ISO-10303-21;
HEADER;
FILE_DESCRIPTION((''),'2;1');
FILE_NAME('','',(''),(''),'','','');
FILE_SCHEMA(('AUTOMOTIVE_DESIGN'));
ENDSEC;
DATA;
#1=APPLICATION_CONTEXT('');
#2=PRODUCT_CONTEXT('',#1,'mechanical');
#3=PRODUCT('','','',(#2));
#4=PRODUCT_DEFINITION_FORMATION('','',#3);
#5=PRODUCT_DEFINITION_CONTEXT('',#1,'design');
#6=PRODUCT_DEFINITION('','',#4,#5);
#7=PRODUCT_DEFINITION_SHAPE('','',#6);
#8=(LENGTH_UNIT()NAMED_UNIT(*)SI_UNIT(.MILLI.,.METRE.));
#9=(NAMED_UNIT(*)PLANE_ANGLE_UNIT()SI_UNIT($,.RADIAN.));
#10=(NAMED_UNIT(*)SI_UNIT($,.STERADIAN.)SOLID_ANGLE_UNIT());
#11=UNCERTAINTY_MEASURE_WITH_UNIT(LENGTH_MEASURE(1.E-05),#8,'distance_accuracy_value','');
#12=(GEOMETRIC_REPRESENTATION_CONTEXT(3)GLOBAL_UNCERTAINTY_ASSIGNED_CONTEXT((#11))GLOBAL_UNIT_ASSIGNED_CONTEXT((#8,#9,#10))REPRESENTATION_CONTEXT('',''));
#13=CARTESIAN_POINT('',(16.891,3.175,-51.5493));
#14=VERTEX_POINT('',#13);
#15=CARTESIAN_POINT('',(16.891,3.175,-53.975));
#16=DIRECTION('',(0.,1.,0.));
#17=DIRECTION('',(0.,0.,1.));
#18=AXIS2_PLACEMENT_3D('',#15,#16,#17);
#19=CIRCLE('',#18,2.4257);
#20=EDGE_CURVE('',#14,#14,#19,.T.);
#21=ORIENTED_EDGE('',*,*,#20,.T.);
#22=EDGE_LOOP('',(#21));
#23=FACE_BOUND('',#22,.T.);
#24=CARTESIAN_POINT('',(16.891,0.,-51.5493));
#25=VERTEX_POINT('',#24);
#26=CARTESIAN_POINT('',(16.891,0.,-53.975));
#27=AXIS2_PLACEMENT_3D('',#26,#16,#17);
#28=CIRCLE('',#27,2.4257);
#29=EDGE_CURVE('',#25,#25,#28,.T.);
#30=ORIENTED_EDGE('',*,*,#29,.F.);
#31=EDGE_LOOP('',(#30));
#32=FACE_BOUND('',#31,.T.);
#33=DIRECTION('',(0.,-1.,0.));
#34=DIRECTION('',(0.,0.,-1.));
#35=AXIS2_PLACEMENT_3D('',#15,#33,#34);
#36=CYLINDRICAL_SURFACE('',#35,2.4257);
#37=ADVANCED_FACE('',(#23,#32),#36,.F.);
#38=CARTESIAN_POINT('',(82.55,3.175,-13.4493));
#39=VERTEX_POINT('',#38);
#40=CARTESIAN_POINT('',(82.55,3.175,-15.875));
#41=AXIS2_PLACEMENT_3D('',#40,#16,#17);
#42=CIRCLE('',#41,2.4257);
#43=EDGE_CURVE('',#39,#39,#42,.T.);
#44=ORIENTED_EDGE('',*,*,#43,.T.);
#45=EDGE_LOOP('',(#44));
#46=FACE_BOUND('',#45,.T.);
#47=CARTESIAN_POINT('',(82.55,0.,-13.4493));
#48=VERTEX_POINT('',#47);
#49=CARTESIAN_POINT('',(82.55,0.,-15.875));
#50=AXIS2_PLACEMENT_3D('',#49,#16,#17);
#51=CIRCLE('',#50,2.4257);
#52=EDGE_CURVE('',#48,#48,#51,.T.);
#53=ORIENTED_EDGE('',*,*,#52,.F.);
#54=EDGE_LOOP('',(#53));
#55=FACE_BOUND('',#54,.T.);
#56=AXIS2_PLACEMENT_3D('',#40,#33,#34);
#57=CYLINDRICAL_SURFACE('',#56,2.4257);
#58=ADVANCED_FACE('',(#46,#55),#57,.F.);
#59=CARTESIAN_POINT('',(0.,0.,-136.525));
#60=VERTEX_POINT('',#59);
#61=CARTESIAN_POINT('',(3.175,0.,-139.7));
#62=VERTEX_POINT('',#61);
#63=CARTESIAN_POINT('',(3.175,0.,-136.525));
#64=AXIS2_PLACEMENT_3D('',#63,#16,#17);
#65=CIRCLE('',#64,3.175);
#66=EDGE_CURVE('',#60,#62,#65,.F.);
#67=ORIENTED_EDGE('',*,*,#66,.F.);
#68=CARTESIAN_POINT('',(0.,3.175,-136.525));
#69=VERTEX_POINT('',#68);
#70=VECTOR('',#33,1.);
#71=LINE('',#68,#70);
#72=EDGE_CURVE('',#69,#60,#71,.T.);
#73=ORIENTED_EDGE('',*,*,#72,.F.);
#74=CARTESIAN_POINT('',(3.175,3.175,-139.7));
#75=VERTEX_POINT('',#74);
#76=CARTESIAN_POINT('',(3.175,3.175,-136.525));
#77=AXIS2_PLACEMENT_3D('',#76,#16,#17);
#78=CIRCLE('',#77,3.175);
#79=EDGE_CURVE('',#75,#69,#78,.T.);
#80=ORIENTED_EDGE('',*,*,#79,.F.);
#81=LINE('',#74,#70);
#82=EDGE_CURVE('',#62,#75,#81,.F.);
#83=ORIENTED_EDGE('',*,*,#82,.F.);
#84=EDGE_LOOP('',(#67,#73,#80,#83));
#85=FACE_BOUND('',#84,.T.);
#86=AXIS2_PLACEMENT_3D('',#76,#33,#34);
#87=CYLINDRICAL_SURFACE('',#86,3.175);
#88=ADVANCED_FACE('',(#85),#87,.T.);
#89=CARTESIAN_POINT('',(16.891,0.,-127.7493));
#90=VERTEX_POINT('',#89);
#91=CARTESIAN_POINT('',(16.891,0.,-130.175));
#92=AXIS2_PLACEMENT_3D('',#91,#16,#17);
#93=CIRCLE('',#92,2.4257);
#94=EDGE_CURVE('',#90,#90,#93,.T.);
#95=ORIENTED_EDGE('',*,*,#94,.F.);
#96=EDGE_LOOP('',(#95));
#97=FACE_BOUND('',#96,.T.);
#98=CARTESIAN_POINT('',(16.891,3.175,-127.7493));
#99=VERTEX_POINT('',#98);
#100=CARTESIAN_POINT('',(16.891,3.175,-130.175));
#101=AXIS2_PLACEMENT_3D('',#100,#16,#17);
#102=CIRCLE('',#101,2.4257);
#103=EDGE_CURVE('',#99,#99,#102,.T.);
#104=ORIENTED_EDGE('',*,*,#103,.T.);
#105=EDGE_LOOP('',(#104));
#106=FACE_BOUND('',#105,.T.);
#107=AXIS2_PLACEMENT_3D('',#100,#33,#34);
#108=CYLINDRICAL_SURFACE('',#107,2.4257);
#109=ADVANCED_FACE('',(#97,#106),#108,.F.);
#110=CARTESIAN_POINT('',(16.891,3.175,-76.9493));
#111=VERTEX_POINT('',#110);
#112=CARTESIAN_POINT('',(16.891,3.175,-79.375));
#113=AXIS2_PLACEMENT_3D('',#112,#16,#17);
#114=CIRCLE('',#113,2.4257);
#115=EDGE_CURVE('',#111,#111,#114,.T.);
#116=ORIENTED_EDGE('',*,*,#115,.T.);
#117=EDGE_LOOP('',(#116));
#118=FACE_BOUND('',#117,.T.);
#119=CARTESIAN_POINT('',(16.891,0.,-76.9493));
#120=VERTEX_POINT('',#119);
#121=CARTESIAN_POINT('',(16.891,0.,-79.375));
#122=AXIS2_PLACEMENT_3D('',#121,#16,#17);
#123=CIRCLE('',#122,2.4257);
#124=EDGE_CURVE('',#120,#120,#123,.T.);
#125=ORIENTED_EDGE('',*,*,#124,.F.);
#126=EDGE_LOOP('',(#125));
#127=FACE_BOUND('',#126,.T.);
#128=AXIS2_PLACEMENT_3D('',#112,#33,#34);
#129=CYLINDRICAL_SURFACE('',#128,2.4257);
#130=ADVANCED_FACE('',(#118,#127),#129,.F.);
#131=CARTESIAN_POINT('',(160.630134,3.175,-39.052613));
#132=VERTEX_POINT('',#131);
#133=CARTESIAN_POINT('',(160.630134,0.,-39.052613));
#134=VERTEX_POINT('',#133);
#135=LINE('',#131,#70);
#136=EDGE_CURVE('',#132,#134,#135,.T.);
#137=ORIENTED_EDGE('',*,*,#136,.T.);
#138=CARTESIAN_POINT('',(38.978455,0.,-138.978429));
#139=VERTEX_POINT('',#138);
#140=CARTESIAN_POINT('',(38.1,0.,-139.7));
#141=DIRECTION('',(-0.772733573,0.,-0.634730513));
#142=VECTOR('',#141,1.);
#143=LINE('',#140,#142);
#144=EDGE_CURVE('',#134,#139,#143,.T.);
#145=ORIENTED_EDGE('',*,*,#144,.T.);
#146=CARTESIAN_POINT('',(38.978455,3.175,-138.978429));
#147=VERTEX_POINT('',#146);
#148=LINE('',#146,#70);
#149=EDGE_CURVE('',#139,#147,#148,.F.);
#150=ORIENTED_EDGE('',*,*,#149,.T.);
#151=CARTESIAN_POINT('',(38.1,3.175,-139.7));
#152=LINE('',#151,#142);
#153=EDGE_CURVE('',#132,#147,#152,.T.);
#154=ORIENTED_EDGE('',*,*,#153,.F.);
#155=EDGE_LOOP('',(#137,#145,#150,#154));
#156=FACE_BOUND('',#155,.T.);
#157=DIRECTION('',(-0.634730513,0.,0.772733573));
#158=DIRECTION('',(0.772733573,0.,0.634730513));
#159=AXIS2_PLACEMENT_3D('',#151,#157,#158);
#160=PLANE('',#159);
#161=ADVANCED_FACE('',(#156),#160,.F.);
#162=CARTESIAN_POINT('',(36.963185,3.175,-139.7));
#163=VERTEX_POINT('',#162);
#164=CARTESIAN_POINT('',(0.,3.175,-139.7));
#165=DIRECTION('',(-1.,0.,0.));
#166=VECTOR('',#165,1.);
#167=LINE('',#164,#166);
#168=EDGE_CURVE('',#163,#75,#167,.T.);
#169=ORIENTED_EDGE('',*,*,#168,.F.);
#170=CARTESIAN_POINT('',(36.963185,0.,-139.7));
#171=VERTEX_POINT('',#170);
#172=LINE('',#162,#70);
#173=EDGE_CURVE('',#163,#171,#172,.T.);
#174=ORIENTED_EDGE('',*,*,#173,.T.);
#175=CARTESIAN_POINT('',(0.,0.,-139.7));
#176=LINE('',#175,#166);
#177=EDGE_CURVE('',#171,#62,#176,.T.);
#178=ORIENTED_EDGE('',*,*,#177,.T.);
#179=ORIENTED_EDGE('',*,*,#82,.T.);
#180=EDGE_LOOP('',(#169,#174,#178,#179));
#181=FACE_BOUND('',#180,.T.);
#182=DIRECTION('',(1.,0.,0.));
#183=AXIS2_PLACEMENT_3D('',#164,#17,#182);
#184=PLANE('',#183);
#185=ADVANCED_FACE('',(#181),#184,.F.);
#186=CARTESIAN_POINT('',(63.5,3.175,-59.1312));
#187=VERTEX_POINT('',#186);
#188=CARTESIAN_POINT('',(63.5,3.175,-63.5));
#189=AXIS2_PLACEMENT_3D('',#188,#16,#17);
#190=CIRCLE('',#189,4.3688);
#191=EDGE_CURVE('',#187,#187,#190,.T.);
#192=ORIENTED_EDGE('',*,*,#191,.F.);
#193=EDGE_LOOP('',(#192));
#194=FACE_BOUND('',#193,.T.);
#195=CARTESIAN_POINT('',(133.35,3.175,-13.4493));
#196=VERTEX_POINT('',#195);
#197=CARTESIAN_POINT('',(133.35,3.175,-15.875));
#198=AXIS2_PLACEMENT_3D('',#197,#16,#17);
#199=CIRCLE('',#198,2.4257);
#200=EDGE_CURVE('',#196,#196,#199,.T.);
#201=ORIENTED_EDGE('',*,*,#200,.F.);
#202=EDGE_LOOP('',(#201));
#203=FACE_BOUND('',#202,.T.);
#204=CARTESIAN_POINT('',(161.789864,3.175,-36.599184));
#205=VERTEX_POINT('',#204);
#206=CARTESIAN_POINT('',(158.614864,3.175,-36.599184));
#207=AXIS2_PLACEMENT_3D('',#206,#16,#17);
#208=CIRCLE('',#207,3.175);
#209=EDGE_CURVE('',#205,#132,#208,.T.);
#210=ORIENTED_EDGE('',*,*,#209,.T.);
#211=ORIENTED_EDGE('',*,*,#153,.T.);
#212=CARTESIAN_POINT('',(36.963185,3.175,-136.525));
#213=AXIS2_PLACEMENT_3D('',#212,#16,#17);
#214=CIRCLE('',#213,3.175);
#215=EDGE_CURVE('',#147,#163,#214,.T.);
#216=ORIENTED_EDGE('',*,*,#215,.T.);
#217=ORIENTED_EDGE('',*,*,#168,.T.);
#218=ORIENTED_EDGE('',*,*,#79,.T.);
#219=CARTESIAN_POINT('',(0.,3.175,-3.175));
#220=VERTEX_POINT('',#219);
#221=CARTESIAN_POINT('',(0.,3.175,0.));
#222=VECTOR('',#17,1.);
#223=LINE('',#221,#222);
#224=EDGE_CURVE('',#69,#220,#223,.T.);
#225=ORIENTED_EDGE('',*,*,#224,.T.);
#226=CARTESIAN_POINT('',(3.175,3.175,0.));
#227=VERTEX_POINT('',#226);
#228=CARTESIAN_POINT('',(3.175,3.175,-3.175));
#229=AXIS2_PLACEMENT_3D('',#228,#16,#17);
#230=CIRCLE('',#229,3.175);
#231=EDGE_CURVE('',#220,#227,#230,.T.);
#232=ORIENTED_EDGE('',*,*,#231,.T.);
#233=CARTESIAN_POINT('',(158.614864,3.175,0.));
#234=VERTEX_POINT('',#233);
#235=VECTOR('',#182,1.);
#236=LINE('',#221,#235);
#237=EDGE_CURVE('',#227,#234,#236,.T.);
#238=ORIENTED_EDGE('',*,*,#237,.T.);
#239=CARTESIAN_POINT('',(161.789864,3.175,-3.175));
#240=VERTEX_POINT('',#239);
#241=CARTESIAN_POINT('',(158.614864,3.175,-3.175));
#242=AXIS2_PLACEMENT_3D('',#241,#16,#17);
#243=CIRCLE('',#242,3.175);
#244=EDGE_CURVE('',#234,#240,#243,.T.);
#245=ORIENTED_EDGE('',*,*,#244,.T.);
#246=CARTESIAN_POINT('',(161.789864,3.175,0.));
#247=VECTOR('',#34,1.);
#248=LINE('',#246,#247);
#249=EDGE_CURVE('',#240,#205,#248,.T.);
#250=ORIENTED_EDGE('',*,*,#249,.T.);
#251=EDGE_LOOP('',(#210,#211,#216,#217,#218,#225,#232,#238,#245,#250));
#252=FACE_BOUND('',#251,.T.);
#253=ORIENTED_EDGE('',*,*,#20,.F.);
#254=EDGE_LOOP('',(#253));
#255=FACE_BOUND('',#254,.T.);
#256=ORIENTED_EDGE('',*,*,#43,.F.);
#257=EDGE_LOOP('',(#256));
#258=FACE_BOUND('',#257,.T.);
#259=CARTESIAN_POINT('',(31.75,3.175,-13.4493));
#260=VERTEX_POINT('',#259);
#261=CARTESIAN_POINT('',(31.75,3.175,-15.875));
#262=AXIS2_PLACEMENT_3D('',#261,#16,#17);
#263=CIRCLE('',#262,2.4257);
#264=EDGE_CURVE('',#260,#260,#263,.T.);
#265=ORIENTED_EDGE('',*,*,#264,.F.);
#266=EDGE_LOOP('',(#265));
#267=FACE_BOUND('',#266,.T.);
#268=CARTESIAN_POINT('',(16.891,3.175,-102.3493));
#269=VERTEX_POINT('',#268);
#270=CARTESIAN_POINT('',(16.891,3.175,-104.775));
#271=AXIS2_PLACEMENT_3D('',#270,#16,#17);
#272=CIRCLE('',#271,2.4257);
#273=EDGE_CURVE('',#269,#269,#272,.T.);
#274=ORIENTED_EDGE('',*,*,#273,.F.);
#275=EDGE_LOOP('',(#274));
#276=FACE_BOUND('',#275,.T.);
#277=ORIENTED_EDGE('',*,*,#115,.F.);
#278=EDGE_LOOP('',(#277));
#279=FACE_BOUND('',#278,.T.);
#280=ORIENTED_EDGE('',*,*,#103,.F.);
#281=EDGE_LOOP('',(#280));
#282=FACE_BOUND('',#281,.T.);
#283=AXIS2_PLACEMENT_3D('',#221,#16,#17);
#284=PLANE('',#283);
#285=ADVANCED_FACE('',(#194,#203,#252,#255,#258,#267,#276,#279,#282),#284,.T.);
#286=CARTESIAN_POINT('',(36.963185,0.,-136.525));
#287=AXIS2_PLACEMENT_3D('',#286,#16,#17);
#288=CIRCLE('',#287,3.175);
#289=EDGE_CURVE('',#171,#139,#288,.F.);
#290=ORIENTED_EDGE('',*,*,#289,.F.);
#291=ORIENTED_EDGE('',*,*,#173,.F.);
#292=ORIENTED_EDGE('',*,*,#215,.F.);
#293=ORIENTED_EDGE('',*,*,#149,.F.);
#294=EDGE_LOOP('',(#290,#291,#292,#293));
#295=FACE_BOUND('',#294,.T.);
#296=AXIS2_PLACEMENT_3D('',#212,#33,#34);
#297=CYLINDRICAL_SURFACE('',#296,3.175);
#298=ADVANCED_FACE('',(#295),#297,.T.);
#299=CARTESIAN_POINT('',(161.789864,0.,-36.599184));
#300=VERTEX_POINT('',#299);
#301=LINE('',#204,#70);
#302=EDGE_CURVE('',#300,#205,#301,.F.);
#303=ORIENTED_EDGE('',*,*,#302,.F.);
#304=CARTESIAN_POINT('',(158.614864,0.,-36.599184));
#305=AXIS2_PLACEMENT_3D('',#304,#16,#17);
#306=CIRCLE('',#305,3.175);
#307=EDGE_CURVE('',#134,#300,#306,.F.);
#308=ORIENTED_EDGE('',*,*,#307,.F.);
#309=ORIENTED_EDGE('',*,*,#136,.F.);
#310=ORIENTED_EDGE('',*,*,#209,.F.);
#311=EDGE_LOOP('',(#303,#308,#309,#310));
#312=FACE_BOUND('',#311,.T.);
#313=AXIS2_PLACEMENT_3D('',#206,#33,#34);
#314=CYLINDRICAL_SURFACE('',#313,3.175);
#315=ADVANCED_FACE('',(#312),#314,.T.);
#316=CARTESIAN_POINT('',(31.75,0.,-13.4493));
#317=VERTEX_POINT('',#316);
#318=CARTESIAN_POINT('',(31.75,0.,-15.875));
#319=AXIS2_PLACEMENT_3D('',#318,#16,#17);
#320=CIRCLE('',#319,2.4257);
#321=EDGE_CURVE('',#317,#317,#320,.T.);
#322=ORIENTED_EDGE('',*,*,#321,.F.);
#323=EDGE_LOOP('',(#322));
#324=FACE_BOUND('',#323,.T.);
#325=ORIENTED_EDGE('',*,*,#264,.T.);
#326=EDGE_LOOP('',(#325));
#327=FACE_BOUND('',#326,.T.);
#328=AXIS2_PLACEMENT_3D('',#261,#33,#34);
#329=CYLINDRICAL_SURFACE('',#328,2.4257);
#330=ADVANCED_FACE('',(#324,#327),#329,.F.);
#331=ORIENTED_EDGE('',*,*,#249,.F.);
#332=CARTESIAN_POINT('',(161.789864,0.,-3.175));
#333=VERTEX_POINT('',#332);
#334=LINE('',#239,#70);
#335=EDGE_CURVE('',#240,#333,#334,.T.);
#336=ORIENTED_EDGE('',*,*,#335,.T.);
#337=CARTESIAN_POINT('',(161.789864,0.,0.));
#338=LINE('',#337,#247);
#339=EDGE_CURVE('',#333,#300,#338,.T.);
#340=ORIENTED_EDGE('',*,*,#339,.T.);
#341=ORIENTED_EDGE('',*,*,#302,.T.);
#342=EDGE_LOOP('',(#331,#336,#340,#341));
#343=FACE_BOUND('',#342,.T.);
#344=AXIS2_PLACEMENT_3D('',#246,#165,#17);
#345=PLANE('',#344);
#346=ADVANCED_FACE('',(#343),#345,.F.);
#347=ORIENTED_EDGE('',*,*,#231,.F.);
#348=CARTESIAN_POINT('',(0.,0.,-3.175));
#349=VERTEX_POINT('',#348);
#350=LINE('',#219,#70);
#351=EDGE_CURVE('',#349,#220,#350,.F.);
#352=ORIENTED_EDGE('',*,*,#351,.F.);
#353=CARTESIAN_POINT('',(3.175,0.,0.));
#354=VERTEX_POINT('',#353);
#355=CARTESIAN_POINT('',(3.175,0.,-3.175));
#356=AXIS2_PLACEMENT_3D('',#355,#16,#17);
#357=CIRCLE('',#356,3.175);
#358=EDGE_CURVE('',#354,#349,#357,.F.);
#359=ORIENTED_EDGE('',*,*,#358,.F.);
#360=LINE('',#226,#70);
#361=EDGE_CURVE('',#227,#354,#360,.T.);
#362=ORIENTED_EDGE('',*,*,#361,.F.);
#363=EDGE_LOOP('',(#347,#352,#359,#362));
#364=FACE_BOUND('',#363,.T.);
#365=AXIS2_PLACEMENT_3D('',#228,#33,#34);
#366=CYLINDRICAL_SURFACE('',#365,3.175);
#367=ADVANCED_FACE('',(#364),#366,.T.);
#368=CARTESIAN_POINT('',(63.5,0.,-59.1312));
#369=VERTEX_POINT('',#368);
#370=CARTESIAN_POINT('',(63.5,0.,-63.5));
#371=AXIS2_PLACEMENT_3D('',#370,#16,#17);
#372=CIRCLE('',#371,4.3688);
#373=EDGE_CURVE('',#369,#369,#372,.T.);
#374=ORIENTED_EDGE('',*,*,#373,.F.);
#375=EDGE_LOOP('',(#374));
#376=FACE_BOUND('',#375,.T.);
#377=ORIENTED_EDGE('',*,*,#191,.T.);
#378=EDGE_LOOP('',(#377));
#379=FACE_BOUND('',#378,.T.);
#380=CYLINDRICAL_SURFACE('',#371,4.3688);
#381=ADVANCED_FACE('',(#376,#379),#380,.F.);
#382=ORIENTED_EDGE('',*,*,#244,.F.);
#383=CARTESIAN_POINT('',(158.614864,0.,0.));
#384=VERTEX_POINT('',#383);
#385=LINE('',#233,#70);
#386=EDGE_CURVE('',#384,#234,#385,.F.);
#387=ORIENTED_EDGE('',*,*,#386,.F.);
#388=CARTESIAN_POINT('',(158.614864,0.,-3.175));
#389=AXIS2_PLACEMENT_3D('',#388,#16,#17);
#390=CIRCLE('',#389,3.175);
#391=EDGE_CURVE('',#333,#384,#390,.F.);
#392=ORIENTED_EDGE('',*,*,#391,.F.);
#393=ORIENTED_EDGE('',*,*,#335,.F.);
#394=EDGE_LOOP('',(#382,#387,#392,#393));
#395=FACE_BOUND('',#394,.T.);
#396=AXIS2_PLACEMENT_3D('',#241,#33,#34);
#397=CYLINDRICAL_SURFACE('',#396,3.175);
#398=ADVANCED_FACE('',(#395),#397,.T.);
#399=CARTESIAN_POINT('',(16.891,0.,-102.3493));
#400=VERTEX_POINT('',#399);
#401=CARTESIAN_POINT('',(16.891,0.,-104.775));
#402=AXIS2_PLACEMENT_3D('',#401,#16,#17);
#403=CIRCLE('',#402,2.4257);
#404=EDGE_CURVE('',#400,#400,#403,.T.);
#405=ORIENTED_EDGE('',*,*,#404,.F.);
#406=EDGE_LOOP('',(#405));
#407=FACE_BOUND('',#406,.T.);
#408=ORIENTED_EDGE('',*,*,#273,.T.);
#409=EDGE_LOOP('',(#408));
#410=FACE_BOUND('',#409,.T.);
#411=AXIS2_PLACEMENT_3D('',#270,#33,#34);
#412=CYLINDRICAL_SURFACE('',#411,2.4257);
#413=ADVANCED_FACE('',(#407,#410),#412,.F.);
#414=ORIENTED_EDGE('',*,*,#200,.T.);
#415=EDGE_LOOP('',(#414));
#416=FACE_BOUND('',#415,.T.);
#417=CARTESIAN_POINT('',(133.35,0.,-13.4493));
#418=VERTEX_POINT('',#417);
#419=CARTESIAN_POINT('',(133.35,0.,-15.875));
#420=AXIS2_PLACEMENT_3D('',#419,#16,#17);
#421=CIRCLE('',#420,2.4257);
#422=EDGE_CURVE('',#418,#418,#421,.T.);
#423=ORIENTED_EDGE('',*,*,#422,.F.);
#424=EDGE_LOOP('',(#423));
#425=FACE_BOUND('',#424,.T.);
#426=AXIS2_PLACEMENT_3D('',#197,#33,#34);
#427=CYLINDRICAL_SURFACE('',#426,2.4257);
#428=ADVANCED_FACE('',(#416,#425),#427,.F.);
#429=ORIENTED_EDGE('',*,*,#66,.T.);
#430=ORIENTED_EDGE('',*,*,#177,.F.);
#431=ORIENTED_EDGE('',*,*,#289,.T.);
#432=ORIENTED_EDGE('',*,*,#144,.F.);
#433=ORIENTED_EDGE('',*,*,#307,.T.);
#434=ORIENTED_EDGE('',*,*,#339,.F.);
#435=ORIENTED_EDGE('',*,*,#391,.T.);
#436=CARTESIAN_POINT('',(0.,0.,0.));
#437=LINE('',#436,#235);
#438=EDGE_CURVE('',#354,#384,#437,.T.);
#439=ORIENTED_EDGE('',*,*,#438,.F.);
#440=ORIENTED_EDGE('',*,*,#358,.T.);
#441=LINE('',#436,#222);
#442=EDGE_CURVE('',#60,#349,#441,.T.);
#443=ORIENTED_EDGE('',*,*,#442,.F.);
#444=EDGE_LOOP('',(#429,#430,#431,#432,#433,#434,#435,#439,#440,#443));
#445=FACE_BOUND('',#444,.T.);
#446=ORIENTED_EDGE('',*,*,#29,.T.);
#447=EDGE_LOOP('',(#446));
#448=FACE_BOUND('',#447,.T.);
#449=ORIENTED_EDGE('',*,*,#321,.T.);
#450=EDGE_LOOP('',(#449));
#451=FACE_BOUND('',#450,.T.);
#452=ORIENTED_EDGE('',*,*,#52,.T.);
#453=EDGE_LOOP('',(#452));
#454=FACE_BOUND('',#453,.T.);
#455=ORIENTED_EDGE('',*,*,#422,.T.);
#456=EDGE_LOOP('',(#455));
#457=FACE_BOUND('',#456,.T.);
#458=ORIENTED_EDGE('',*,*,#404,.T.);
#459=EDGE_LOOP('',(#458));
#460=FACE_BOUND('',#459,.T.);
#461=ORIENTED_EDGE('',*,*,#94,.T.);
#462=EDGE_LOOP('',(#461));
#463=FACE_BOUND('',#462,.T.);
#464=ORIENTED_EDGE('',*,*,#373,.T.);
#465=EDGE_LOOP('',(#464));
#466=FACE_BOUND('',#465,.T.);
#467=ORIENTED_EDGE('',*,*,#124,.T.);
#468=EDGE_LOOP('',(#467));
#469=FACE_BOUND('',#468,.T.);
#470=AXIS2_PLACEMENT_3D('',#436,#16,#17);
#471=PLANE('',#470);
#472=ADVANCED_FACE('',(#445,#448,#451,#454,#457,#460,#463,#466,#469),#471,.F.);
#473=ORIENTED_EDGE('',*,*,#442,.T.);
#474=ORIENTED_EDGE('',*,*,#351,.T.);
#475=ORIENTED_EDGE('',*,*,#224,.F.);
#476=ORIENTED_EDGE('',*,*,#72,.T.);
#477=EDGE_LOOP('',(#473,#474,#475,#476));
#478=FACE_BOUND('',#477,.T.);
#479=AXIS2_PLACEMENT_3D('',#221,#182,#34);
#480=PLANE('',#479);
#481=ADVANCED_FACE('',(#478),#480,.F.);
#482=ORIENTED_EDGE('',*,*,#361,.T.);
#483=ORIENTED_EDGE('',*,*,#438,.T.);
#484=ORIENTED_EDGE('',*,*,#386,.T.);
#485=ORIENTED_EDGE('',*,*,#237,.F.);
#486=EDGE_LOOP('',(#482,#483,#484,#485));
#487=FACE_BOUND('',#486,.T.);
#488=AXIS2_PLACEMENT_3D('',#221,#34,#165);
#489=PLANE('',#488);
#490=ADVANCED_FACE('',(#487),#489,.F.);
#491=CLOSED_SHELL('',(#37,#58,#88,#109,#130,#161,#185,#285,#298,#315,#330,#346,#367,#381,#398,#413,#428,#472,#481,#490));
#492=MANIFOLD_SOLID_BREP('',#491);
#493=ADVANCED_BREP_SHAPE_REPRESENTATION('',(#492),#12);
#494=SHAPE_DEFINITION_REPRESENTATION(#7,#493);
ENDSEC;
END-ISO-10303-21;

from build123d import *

# Parameters (mm, degrees)
SKETCH1_R           = 2.4257
BOSS_EXTRUDE1_DEPTH = 3.175
FILLET1_R           = 3.175
SKETCH2_R           = 4.3688
CUT_EXTRUDE1_DEPTH  = 214.780566999


with BuildPart() as part:
    # Sketch1 → Boss-Extrude1 (new body)
    with BuildSketch(Plane(origin=(0, 0, 0), x_dir=(1, 0, 0), z_dir=(0, 1, 0))):
        Polygon((0, 0), (0, 139.7), (38.1, 139.7), (161.789864335, 38.1), (161.789864335, 0), align=None)
        with Locations(Location((31.75, 15.875, 0), (0, 0, 270))):
            Circle(SKETCH1_R, mode=Mode.SUBTRACT)
        with Locations(Location((82.55, 15.875, 0), (0, 0, 270))):
            Circle(SKETCH1_R, mode=Mode.SUBTRACT)
        with Locations(Location((133.35, 15.875, 0), (0, 0, 270))):
            Circle(SKETCH1_R, mode=Mode.SUBTRACT)
        with Locations(Location((16.891, 53.975, 0), (0, 0, 270))):
            Circle(SKETCH1_R, mode=Mode.SUBTRACT)
        with Locations(Location((16.891, 79.375, 0), (0, 0, 270))):
            Circle(SKETCH1_R, mode=Mode.SUBTRACT)
        with Locations(Location((16.891, 104.775, 0), (0, 0, 270))):
            Circle(SKETCH1_R, mode=Mode.SUBTRACT)
        with Locations(Location((16.891, 130.175, 0), (0, 0, 270))):
            Circle(SKETCH1_R, mode=Mode.SUBTRACT)
    extrude(amount=BOSS_EXTRUDE1_DEPTH)

    # Fillet1
    fillet1_edges = [part.edges().sort_by_distance(p)[0] for p in [
        (0, 1.5875, 0),
        (0, 1.5875, -139.7),
        (38.1, 1.5875, -139.7),
        (161.789864335, 1.5875, -38.1),
        (161.789864335, 1.5875, 0),
    ]]
    fillet(fillet1_edges, radius=FILLET1_R)

    # Sketch2 → Cut-Extrude1 (cut, through all)
    with BuildSketch(Plane(origin=(0, 3.175, 0), x_dir=(1, 0, 0), z_dir=(0, 1, 0))):
        with Locations(Location((63.5, 63.5, 0), (0, 0, 270))):
            Circle(SKETCH2_R)
    extrude(amount=-CUT_EXTRUDE1_DEPTH, mode=Mode.SUBTRACT)


solid = part.part
